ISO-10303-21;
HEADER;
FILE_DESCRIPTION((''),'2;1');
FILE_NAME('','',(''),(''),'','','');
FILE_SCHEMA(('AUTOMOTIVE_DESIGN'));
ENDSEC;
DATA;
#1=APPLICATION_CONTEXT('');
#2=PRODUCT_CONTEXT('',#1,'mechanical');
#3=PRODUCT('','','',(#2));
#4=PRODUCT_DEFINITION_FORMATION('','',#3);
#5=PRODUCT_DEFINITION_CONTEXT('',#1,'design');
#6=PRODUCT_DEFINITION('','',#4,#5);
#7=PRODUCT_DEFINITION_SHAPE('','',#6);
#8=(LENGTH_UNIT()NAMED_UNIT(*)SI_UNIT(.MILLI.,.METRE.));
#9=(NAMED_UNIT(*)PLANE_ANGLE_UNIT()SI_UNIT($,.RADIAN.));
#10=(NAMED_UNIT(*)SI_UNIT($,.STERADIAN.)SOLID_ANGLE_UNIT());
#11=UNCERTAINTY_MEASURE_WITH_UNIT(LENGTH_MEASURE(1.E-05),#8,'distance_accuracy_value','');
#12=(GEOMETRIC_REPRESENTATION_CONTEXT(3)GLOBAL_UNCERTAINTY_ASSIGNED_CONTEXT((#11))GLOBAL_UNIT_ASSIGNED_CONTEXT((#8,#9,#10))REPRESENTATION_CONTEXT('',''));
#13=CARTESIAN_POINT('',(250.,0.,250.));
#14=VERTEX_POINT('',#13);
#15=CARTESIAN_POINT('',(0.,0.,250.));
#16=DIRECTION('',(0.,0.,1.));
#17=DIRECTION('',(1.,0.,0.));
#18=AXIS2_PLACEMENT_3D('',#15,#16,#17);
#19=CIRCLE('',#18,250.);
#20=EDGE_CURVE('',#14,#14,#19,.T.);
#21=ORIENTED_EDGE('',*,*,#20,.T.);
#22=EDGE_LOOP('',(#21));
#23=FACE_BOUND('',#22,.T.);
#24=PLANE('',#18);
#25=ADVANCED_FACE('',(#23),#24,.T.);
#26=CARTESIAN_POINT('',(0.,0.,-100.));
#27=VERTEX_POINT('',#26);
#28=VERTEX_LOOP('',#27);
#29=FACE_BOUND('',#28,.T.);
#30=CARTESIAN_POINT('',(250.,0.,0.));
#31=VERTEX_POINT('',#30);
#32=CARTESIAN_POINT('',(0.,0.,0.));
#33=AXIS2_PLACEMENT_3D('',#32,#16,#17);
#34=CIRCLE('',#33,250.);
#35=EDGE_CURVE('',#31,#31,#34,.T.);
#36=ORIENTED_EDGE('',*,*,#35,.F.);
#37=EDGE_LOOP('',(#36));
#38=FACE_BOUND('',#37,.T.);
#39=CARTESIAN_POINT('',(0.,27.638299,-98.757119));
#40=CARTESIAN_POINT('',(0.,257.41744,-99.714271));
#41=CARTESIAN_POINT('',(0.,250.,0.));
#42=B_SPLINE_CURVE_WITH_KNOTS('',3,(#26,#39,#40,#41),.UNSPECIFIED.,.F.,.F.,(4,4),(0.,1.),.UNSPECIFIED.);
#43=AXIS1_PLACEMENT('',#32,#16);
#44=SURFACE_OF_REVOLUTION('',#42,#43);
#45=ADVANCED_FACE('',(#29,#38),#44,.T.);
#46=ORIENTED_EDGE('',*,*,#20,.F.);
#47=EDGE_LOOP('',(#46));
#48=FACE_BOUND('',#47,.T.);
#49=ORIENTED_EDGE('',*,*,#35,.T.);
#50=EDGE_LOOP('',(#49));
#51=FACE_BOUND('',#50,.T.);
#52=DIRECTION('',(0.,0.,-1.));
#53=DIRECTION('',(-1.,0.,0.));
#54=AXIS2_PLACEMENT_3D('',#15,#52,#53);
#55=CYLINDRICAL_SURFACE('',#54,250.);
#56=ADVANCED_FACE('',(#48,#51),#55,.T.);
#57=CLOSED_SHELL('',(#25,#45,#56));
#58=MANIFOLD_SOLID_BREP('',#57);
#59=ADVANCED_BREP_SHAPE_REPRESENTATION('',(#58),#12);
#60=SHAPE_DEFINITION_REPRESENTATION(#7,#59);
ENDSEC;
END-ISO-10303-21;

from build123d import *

# Parameters (mm, degrees)
SKETCH1_R           = 250
BOSS_EXTRUDE1_DEPTH = 250


with BuildPart() as part:
    # Sketch1 → Boss-Extrude1 (new body)
    with BuildSketch(Plane.XY):
        Circle(SKETCH1_R)
    extrude(amount=BOSS_EXTRUDE1_DEPTH)

    # Sketch2 → Revolve1 (revolve)
    with BuildSketch(Plane(origin=(0, 0, 0), x_dir=(0, 0, -1), z_dir=(1, 0, 0))):
        with BuildLine():
            Line((0, 0), (100, 0))
            add(Edge.make_bspline(
                [(0, 250), (99.714271477, 257.417440465), (98.757119487, 27.638299158), (100, 0)],
                knots=[0, 0, 0, 0, 1, 1, 1, 1], degree=3))
            Line((0, 250), (0, 0))
        make_face()
    revolve(axis=Axis((0, 0, 0), (0, 0, -1)))


solid = part.part
